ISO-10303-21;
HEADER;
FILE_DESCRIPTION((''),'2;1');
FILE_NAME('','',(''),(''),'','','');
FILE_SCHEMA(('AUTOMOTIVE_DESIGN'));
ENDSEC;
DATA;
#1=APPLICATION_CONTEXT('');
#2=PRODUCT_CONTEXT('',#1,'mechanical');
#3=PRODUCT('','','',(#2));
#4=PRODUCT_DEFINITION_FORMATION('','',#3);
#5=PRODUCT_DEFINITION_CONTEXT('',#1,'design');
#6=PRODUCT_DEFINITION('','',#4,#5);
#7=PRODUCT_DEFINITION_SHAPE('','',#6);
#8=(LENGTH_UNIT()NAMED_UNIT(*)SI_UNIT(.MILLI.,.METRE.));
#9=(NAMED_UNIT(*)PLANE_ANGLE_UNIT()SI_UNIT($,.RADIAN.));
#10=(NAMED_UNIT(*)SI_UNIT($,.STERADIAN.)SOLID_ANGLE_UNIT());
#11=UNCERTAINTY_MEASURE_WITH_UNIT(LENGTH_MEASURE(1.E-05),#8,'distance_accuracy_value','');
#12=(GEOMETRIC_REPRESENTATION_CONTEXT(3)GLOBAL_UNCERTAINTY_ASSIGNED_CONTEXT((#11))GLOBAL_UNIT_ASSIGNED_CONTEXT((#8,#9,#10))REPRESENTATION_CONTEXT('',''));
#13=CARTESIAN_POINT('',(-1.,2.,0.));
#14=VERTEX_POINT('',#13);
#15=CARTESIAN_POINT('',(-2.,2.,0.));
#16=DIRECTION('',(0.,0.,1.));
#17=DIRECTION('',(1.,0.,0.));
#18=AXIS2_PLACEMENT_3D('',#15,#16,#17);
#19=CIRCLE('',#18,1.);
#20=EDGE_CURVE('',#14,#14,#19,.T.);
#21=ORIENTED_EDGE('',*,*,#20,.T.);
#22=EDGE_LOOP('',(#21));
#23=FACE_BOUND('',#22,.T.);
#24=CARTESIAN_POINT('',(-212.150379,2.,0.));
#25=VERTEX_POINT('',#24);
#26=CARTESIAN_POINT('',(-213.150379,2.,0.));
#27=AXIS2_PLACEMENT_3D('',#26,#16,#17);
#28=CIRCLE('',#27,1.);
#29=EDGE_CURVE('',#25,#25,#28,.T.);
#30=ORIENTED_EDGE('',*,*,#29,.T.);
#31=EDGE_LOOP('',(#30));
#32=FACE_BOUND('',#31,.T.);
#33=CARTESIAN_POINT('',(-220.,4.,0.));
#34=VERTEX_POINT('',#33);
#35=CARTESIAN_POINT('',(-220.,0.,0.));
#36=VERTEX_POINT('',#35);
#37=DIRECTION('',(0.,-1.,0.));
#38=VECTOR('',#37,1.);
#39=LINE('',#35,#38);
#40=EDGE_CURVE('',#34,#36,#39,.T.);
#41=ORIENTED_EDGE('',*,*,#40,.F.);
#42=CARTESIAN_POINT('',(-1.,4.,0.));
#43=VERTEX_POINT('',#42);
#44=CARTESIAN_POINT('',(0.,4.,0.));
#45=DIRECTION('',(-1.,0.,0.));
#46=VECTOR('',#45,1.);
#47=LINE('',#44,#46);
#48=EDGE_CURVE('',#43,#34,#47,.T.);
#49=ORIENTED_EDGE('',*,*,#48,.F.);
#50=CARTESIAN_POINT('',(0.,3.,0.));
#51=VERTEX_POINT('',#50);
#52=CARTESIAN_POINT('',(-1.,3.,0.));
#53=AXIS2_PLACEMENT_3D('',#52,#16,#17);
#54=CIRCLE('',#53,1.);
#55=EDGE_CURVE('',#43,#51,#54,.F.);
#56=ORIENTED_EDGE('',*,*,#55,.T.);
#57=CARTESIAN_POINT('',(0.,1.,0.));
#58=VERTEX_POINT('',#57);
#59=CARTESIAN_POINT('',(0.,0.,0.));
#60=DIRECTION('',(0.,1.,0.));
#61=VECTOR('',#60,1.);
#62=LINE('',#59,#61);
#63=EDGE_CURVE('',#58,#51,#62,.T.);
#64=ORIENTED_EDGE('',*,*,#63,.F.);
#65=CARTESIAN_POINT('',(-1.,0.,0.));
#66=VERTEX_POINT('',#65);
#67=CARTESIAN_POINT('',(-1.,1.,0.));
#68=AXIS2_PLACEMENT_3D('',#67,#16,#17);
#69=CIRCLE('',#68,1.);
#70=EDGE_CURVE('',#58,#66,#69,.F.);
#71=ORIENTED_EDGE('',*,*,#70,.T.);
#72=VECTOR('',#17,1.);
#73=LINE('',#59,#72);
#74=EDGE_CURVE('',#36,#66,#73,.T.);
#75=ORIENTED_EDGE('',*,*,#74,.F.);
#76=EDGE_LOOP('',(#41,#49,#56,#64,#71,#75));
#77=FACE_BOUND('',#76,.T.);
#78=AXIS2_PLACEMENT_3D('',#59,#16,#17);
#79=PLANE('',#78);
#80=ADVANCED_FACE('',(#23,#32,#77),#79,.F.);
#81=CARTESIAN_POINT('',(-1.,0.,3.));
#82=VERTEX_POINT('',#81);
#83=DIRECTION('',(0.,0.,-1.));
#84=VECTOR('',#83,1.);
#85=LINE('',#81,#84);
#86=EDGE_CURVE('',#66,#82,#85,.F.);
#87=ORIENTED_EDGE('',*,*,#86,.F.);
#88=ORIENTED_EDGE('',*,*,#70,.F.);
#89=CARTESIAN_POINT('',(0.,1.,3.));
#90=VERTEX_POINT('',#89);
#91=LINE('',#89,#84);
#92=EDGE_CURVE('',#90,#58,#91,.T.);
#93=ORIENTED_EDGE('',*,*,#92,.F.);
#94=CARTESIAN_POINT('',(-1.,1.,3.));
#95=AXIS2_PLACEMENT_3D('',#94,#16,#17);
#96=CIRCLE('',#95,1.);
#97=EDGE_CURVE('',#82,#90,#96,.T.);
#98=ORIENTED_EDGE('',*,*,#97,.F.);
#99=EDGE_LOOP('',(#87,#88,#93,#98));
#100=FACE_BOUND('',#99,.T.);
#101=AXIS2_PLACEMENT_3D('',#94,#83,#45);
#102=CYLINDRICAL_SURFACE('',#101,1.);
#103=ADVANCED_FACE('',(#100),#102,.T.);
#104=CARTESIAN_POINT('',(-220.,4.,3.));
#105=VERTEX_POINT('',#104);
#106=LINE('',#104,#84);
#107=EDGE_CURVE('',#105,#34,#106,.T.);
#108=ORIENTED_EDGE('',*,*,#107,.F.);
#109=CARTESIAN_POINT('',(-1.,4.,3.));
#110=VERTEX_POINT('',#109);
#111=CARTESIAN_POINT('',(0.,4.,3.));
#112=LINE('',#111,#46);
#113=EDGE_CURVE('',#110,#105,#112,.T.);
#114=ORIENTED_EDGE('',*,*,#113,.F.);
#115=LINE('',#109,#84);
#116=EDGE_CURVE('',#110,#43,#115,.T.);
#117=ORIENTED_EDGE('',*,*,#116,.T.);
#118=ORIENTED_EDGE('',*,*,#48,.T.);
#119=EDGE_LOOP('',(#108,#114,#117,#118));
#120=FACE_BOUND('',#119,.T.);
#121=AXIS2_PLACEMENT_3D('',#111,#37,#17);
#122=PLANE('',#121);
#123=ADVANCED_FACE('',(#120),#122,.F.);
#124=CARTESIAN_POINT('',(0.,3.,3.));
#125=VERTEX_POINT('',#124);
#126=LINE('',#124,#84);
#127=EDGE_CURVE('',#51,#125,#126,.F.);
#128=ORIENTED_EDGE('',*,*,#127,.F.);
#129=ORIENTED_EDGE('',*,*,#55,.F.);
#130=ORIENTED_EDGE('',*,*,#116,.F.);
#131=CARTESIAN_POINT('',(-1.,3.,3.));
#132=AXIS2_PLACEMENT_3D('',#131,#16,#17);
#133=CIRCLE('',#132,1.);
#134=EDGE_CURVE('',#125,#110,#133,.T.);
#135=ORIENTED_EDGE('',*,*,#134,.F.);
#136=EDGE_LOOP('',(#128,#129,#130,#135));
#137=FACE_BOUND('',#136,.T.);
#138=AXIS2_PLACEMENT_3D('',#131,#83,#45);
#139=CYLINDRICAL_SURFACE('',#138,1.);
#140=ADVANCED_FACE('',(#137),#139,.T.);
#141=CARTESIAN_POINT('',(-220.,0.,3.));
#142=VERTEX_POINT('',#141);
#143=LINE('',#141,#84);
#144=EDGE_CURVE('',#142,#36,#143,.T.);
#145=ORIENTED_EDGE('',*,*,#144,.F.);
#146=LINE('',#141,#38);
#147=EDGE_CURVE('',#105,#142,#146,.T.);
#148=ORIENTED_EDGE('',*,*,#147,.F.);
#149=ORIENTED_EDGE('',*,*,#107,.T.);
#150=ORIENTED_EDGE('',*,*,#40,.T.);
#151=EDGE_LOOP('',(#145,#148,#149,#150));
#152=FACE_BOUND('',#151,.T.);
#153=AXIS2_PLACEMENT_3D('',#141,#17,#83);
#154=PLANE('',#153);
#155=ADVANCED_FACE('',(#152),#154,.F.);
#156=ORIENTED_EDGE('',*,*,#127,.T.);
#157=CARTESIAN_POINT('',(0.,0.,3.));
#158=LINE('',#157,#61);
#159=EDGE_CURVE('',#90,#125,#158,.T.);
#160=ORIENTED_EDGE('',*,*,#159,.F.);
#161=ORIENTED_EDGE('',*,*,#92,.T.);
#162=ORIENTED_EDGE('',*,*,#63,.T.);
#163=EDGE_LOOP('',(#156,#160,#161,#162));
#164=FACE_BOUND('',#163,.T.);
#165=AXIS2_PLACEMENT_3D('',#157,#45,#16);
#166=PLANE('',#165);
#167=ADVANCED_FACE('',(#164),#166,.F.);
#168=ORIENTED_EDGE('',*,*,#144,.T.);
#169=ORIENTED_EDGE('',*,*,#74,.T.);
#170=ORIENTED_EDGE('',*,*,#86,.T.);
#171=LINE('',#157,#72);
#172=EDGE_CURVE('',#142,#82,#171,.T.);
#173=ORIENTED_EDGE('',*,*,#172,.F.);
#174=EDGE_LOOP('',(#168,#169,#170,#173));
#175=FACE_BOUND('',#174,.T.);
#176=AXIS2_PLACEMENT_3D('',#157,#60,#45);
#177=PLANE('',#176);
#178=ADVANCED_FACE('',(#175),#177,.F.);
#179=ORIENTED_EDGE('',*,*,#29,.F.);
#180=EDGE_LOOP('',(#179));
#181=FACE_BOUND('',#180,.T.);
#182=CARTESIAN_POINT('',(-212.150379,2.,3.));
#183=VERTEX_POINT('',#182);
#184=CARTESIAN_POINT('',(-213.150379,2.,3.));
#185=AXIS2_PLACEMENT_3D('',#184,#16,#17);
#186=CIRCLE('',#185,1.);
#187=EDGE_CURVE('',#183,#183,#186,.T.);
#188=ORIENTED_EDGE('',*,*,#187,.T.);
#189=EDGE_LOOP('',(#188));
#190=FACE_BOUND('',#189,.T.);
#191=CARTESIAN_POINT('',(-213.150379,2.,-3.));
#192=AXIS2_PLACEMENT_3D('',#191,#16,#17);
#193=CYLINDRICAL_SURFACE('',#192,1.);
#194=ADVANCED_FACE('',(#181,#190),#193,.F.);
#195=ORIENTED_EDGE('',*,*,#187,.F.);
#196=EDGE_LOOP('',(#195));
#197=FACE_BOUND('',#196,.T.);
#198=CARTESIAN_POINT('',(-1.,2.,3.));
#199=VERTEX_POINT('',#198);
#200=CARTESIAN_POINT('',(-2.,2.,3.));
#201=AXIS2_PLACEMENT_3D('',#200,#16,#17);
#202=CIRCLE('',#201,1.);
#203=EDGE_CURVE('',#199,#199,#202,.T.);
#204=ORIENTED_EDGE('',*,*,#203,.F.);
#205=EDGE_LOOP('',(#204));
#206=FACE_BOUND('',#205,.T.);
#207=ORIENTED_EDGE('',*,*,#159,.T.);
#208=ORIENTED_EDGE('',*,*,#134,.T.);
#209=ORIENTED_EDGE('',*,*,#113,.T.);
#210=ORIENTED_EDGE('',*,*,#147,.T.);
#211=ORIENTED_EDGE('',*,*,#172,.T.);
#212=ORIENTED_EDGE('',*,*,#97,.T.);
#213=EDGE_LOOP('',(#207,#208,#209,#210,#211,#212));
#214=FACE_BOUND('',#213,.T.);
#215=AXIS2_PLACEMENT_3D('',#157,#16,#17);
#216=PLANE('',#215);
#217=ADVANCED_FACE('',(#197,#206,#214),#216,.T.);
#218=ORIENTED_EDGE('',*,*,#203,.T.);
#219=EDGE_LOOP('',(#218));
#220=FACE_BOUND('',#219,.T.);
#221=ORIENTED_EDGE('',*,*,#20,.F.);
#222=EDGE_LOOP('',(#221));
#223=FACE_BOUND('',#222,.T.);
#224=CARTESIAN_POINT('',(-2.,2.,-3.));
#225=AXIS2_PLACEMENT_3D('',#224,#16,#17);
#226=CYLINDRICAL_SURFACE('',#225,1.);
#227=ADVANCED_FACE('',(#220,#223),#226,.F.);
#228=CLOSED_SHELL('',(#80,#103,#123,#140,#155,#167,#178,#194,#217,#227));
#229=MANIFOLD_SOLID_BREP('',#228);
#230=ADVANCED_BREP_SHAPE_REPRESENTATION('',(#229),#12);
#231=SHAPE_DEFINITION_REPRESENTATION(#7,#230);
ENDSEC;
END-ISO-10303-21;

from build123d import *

# Parameters (mm, degrees)
ESQUISSE1_W             = 220
ESQUISSE1_H             = 4
BOSS_EXTRU_1_DEPTH      = 3
ESQUISSE2_R             = 1
ENL_V_MAT_EXTRU_1_DEPTH = 6
CONG_1_R                = 1
CONG_2_R                = 1


with BuildPart() as part:
    # Esquisse1 → Boss.-Extru.1 (new body)
    with BuildSketch(Plane.XY):
        with Locations((-110, 2)):
            Rectangle(ESQUISSE1_W, ESQUISSE1_H)
    extrude(amount=BOSS_EXTRU_1_DEPTH)

    # Esquisse2 → Enlèv. mat.-Extru.1 (cut)
    with BuildSketch(Plane.XY.offset(3)):
        with Locations((-2, 2)):
            Circle(ESQUISSE2_R)
        with Locations((-213.150378979, 2)):
            Circle(ESQUISSE2_R)
    extrude(amount=-ENL_V_MAT_EXTRU_1_DEPTH, mode=Mode.SUBTRACT)

    # Congé1
    cong_1_edges = [part.edges().sort_by_distance(p)[0] for p in [
        (0, 4, 1.5),
    ]]
    fillet(cong_1_edges, radius=CONG_1_R)

    # Congé2
    cong_2_edges = [part.edges().sort_by_distance(p)[0] for p in [
        (0, 0, 1.5),
    ]]
    fillet(cong_2_edges, radius=CONG_2_R)


solid = part.part
